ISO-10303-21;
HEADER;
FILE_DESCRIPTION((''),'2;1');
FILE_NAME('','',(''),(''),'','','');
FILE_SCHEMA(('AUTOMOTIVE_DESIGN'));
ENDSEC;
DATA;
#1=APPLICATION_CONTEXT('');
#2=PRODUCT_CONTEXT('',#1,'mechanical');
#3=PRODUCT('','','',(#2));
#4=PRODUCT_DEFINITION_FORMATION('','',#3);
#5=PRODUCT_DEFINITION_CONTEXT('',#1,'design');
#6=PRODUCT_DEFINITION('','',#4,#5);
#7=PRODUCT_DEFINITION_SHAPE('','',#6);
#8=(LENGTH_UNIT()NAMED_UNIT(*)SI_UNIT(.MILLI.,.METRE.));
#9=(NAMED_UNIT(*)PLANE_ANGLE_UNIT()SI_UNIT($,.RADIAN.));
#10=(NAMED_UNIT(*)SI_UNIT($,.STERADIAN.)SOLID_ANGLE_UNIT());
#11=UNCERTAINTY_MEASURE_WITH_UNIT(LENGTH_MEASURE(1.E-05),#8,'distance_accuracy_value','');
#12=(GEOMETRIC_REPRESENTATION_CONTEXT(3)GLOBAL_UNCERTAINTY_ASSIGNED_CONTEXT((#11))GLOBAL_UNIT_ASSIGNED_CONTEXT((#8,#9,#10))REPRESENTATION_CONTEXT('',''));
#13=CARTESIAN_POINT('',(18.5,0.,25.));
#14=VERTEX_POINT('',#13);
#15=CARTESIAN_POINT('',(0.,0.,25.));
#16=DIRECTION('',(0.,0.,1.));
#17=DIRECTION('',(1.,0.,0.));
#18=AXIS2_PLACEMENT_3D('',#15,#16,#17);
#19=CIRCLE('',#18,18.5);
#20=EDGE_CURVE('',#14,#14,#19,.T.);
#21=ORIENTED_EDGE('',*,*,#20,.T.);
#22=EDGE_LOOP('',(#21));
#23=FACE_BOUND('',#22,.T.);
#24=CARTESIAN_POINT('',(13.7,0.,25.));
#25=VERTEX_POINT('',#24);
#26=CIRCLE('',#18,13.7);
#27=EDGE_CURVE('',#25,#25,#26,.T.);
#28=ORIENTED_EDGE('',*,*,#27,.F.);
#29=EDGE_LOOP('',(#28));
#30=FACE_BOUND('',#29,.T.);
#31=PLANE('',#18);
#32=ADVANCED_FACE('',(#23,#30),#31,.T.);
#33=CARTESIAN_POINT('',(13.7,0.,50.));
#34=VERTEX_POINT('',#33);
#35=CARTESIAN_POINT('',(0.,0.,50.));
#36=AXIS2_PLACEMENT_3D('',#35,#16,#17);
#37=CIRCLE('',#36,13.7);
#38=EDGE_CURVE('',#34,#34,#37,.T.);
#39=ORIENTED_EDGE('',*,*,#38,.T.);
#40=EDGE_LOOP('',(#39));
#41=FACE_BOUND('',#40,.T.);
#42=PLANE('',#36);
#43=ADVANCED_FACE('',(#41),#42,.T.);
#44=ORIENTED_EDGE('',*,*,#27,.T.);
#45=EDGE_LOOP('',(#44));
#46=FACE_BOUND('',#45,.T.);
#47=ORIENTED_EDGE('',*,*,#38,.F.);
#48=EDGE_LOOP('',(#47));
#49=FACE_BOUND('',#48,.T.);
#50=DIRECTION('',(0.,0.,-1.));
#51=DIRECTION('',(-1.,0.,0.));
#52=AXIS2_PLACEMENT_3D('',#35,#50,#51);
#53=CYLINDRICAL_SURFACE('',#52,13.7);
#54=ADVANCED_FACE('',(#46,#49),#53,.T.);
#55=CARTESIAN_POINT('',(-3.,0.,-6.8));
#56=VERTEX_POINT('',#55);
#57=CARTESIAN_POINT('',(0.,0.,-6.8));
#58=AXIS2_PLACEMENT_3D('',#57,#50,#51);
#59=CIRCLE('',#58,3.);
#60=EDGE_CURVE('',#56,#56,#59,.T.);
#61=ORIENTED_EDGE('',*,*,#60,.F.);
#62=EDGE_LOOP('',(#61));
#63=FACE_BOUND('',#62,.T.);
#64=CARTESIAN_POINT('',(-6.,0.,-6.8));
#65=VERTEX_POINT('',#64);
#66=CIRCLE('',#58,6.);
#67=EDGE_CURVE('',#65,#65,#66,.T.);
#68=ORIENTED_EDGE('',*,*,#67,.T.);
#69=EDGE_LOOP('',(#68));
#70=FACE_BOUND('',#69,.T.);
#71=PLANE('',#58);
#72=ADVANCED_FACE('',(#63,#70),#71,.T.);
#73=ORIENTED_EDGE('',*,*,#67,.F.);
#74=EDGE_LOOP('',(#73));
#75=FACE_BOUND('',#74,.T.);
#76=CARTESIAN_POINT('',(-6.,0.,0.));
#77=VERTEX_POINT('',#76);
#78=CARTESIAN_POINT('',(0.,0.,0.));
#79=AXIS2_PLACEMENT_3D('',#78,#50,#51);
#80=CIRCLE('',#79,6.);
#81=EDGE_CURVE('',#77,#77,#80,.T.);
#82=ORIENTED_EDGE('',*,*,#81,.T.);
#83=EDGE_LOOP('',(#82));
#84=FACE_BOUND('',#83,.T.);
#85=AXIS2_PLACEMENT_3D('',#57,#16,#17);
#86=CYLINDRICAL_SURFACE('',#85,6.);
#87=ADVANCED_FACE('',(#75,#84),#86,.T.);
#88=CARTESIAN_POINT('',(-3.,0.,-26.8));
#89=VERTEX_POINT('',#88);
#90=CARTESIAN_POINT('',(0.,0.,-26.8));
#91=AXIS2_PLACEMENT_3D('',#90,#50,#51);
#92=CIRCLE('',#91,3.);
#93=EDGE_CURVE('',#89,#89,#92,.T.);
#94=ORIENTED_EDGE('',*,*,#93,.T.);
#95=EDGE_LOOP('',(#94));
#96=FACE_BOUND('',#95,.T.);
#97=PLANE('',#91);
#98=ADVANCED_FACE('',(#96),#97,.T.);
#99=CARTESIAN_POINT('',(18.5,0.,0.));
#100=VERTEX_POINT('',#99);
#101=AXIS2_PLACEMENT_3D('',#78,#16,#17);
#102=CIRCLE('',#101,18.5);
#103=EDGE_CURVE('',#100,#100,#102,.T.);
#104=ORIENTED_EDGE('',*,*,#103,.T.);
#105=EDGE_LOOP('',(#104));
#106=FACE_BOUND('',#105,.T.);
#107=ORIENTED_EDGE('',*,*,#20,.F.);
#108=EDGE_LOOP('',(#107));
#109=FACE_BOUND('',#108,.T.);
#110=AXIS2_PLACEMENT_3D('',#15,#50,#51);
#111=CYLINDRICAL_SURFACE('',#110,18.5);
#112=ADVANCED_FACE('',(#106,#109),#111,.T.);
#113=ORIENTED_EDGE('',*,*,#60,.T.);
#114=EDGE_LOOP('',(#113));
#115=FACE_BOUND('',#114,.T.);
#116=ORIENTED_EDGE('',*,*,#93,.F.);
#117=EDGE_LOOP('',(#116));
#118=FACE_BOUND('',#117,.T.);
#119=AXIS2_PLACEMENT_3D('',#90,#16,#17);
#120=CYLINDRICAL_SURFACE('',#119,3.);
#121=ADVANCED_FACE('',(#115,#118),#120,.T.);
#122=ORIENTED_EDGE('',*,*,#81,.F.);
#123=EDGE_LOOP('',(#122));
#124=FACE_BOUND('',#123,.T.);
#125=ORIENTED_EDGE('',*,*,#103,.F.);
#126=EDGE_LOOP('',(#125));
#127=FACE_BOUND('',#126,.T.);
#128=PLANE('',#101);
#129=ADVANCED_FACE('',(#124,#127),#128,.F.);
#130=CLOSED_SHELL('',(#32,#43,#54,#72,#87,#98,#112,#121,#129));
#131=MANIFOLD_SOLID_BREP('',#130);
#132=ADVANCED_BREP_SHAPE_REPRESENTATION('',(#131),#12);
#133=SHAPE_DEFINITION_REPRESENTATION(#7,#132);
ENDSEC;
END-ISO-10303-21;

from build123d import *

# Parameters (mm, degrees)
SKETCH1_R           = 18.5
BOSS_EXTRUDE1_DEPTH = 25
SKETCH2_R           = 6
BOSS_EXTRUDE2_DEPTH = 6.8
SKETCH3_R           = 3
BOSS_EXTRUDE3_DEPTH = 20
SKETCH5_R           = 13.7
BOSS_EXTRUDE4_DEPTH = 25


with BuildPart() as part:
    # Sketch1 → Boss-Extrude1 (new body)
    with BuildSketch(Plane.XY):
        Circle(SKETCH1_R)
    extrude(amount=BOSS_EXTRUDE1_DEPTH)

    # Sketch2 → Boss-Extrude2 (add)
    with BuildSketch(Plane(origin=(0, 0, 0), x_dir=(-1, 0, 0), z_dir=(0, 0, -1))):
        Circle(SKETCH2_R)
    extrude(amount=BOSS_EXTRUDE2_DEPTH)

    # Sketch3 → Boss-Extrude3 (add)
    with BuildSketch(Plane(origin=(0, 0, -6.8), x_dir=(-1, 0, 0), z_dir=(0, 0, -1))):
        Circle(SKETCH3_R)
    extrude(amount=BOSS_EXTRUDE3_DEPTH)

    # Sketch5 → Boss-Extrude4 (add)
    with BuildSketch(Plane.XY.offset(25)):
        Circle(SKETCH5_R)
    extrude(amount=BOSS_EXTRUDE4_DEPTH)


solid = part.part
